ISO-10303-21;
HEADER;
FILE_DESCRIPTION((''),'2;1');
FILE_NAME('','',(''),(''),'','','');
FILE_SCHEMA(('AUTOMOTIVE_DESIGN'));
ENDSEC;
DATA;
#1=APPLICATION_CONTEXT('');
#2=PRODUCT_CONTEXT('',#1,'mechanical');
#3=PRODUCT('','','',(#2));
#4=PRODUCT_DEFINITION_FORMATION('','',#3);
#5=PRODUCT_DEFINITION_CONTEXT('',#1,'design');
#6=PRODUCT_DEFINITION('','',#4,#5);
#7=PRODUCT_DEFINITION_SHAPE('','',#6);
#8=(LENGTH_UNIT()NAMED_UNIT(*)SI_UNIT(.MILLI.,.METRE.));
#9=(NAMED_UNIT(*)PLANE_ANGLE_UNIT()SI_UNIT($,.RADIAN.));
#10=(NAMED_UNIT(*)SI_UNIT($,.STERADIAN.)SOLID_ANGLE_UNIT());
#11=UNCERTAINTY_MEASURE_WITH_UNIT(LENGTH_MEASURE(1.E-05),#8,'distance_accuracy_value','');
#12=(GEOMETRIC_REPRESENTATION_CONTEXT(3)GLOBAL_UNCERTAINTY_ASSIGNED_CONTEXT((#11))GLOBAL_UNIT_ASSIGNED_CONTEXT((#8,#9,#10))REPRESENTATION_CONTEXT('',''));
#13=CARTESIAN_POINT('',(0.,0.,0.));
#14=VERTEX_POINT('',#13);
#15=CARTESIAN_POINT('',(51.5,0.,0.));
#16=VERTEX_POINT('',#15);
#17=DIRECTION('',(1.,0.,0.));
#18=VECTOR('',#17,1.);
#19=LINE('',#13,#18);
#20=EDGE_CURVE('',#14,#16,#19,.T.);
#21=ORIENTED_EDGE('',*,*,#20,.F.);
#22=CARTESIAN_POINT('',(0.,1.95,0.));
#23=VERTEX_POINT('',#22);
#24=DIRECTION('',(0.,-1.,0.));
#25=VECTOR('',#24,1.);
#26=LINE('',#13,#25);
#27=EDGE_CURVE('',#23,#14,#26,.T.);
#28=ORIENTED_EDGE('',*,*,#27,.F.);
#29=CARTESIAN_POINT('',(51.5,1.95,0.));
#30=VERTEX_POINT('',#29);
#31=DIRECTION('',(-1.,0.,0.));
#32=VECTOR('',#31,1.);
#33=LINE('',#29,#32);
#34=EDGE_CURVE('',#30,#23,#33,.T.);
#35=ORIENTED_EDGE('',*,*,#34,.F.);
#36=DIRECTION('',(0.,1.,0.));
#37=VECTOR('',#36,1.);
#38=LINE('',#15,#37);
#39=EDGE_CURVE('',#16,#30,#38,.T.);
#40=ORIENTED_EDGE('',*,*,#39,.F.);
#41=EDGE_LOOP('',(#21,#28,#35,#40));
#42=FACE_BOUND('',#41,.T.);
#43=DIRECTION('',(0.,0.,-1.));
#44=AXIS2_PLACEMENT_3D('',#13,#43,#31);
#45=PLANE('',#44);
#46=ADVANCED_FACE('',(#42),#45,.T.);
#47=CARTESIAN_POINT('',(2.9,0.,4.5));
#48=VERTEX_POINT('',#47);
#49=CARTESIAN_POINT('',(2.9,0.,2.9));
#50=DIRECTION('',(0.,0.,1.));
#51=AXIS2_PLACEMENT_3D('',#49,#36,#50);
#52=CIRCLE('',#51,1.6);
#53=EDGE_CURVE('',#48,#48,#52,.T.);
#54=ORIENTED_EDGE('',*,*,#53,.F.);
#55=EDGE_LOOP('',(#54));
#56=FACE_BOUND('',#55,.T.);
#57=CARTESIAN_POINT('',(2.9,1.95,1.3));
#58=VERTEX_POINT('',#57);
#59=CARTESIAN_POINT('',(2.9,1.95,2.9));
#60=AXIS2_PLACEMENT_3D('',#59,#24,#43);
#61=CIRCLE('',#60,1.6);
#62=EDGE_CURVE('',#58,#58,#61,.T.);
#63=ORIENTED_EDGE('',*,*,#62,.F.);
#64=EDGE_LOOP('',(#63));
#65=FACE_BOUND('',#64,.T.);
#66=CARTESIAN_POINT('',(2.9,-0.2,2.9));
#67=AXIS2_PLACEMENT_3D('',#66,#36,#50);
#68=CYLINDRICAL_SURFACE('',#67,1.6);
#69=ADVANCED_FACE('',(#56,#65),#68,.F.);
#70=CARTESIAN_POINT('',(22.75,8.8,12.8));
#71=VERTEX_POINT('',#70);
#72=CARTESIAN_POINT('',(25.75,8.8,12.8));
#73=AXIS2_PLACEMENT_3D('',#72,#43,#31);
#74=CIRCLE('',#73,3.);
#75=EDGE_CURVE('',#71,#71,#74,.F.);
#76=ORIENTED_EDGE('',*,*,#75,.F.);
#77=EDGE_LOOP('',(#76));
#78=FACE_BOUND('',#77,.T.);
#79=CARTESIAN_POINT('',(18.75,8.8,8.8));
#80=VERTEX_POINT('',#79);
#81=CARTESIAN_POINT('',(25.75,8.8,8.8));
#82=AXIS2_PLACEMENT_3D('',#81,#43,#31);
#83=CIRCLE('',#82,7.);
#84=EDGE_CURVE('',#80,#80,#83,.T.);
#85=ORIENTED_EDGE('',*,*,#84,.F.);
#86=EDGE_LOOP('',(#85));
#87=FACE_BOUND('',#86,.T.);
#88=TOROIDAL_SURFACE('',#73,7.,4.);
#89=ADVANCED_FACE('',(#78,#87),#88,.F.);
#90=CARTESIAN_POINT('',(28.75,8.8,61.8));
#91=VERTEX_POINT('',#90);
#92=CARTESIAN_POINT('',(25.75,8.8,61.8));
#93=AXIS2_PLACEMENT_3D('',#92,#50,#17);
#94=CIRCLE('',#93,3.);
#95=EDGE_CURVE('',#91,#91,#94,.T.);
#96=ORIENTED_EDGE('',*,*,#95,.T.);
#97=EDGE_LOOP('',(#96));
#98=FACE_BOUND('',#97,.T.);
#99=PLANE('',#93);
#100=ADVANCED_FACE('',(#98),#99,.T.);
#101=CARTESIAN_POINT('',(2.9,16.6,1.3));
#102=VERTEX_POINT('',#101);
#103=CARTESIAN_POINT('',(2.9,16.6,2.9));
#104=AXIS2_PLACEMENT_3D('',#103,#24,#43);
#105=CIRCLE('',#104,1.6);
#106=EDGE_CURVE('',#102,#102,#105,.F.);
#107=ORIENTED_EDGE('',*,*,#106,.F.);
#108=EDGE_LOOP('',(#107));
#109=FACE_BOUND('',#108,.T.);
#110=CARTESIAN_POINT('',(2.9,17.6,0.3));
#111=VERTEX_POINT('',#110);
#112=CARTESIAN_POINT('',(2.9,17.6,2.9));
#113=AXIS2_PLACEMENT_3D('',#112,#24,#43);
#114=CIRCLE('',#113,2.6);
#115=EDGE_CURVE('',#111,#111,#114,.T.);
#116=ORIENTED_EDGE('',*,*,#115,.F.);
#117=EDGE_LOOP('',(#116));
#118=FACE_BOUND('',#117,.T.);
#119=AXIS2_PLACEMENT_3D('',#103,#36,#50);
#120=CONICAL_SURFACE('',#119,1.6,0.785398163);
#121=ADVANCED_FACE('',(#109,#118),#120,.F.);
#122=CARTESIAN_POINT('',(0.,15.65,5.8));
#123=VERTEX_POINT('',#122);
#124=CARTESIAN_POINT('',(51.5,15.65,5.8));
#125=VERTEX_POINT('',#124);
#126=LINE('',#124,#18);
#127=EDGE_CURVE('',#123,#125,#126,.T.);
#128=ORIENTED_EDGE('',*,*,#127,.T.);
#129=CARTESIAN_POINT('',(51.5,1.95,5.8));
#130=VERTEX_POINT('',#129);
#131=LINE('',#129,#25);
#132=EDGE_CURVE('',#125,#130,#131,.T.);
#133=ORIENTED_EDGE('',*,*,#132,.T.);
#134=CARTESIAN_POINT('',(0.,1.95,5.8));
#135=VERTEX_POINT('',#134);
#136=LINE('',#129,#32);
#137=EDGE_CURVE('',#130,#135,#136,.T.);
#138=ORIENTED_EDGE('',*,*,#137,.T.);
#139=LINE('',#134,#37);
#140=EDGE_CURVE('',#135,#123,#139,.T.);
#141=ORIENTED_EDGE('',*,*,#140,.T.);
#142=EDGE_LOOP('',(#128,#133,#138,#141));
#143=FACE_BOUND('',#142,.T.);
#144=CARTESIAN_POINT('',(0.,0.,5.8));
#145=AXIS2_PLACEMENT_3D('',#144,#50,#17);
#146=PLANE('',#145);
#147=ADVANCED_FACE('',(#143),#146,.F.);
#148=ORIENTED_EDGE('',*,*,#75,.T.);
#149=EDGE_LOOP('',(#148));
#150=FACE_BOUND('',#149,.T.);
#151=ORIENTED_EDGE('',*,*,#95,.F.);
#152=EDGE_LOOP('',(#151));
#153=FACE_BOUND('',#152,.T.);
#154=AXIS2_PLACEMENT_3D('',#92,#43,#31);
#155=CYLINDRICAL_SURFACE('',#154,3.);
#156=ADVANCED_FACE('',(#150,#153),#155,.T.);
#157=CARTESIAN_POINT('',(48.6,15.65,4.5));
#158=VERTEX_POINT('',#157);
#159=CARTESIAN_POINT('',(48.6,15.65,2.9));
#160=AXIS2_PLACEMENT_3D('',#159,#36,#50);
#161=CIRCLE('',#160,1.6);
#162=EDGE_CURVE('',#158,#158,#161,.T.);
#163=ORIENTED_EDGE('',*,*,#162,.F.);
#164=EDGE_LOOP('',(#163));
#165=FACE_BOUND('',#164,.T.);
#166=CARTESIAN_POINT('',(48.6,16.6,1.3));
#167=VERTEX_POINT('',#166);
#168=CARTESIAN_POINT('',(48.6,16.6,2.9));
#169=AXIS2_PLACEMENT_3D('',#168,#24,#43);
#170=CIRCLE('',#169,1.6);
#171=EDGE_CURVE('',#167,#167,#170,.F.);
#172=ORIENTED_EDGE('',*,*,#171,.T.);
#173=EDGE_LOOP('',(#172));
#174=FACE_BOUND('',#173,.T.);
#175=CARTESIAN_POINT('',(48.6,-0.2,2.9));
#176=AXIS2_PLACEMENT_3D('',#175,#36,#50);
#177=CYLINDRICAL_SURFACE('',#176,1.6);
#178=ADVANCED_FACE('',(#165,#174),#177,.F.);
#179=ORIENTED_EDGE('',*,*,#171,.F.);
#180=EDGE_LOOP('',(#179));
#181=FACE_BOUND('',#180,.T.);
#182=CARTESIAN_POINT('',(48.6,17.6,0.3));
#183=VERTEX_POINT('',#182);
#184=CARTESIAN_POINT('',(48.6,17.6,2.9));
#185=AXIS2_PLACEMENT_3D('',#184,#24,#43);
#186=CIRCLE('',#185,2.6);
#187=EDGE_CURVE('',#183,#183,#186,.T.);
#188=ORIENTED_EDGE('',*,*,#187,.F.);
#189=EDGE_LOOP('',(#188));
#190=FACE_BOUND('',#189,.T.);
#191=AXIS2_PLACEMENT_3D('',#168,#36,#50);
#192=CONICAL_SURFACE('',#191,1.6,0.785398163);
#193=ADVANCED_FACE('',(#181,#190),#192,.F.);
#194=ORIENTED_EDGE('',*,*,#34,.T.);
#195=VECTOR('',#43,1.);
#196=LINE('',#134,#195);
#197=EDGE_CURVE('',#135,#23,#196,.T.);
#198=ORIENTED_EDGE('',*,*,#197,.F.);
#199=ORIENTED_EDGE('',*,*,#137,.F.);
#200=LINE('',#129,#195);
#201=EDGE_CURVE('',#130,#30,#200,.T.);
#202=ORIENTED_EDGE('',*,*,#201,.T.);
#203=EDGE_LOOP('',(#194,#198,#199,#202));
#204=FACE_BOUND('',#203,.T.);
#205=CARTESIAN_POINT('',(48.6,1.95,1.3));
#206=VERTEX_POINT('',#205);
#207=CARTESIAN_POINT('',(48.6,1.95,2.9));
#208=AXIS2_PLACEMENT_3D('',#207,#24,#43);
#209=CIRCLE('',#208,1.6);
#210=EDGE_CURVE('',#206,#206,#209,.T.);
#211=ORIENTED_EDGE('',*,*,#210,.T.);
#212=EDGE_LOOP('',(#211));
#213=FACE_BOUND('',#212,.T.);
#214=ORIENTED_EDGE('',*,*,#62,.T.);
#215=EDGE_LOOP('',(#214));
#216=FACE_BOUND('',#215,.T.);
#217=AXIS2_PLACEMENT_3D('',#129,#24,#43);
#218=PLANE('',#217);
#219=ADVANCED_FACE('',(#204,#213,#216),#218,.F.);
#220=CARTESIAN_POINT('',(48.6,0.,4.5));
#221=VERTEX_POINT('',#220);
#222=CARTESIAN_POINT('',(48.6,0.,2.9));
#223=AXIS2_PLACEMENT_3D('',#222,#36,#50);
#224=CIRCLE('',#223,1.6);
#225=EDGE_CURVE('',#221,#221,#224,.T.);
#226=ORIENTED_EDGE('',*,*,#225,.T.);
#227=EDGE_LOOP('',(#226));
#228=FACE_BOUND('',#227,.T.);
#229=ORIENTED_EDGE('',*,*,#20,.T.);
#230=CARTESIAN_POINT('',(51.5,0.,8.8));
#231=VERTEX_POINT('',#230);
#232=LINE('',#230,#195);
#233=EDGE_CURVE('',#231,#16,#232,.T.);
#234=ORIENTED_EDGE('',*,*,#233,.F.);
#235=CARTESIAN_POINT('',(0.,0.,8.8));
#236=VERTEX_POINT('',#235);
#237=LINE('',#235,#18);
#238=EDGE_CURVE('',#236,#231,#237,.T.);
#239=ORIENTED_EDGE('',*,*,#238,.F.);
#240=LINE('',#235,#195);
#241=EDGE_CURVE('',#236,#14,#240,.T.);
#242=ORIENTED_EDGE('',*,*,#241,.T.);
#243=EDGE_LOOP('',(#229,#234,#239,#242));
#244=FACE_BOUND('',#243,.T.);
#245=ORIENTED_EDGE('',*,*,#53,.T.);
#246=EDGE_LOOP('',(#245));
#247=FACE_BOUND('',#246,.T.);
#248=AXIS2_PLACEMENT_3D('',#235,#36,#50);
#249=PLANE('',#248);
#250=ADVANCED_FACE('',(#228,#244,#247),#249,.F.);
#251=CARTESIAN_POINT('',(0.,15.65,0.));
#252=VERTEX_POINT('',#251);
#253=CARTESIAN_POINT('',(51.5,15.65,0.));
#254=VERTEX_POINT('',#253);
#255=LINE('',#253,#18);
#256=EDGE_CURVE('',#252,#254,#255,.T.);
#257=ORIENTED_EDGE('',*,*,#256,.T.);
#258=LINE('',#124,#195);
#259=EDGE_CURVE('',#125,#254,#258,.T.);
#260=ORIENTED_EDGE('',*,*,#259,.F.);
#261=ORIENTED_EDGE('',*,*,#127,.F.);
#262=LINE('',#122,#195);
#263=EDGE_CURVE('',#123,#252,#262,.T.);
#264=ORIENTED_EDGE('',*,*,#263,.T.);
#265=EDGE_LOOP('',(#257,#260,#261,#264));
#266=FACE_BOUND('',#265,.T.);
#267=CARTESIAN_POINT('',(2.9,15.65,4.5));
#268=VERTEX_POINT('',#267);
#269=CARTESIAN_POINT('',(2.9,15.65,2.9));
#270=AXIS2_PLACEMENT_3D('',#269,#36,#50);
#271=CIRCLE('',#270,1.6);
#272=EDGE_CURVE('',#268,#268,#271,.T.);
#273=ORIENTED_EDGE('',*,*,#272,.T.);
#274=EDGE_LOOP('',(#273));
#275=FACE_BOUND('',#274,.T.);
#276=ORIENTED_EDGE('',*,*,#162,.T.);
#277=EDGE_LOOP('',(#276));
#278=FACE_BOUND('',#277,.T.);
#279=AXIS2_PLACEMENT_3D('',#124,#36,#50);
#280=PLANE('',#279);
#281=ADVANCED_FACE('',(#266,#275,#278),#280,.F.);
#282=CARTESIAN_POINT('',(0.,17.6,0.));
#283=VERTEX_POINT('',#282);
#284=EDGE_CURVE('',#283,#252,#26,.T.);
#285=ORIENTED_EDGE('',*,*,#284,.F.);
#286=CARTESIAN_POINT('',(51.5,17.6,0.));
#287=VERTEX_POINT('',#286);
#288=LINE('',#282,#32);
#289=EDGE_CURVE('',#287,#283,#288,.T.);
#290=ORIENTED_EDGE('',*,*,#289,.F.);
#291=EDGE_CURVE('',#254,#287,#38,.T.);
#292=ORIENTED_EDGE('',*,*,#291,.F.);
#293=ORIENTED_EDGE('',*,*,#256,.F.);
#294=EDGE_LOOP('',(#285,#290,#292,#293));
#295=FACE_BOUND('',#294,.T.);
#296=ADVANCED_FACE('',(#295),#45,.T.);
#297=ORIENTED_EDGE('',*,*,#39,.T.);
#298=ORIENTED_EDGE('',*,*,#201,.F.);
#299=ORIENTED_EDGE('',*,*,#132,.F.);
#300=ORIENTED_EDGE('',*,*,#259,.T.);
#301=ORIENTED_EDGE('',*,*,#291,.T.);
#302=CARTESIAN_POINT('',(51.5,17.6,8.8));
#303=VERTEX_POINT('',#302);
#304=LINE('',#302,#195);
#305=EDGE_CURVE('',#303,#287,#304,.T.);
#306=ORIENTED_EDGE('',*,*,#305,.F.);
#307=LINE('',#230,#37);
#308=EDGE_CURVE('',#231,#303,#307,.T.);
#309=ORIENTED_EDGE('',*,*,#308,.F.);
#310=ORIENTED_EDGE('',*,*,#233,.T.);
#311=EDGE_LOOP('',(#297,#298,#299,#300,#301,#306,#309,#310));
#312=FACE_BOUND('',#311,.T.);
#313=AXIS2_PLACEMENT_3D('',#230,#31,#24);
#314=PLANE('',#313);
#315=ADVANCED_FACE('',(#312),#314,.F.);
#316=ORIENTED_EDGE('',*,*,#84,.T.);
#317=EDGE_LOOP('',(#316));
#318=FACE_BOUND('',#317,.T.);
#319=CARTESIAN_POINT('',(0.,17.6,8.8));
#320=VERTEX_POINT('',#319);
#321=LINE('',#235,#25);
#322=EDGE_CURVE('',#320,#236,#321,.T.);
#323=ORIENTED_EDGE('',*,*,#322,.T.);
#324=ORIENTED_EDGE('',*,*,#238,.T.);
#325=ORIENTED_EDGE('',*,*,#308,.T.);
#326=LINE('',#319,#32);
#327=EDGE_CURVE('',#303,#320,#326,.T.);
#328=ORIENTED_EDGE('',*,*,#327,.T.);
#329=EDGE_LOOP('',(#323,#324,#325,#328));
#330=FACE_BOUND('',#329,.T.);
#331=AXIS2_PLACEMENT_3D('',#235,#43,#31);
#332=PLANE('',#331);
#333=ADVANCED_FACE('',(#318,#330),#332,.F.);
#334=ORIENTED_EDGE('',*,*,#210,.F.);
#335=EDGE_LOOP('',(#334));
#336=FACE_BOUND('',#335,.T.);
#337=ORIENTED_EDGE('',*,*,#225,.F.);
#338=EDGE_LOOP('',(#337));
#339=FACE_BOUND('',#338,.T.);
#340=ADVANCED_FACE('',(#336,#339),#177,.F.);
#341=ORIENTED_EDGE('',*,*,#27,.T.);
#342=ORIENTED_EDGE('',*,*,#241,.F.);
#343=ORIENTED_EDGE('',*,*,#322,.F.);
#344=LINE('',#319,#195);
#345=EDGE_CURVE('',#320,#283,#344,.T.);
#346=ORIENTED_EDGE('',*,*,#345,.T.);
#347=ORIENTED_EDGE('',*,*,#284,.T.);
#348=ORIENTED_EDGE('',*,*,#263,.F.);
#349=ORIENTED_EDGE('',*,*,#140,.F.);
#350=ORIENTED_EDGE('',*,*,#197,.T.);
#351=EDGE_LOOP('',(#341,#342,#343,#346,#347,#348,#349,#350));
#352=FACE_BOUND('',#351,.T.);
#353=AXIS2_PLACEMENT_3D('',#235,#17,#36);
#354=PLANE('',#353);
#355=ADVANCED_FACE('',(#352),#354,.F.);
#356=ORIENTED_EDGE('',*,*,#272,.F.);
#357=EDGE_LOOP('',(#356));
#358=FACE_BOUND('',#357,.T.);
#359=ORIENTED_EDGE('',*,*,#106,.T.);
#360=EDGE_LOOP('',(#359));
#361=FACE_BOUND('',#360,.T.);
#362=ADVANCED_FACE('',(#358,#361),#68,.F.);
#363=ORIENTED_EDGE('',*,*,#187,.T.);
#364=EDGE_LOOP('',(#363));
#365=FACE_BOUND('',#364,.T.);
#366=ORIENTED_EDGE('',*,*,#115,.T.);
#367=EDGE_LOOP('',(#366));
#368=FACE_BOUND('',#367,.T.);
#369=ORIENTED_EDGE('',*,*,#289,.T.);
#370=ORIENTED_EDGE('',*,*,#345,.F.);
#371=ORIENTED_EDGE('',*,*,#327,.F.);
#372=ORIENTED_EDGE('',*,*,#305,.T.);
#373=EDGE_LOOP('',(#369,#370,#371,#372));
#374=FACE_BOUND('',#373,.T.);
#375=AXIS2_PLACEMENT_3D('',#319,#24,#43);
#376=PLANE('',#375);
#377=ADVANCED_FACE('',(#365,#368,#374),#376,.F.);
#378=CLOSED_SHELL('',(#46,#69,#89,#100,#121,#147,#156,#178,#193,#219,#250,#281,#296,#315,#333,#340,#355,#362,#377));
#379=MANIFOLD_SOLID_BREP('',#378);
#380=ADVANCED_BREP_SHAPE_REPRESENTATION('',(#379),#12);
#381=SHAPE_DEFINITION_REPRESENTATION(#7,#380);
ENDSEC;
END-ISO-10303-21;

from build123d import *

# Parameters (mm, degrees)
SKETCH1_W           = 51.5
SKETCH1_H           = 17.6
BOSS_EXTRUDE1_DEPTH = 8.8
SKETCH2_W           = 51.5
SKETCH2_H           = 13.7
CUT_EXTRUDE1_DEPTH  = 5.8
SKETCH3_R           = 1.6
CUT_EXTRUDE2_DEPTH  = 17.8
CHAMFER1_SIZE       = 1
SKETCH4_R           = 3
BOSS_EXTRUDE2_DEPTH = 53
FILLET1_R           = 4


with BuildPart() as part:
    # Sketch1 → Boss-Extrude1 (new body)
    with BuildSketch(Plane.XY):
        with Locations((25.75, 8.8)):
            Rectangle(SKETCH1_W, SKETCH1_H)
    extrude(amount=BOSS_EXTRUDE1_DEPTH)

    # Sketch2 → Cut-Extrude1 (cut)
    with BuildSketch(Plane(origin=(0, 0, 0), x_dir=(-1, 0, 0), z_dir=(0, 0, -1))):
        with Locations((-25.75, 8.8)):
            Rectangle(SKETCH2_W, SKETCH2_H)
    extrude(amount=-CUT_EXTRUDE1_DEPTH, mode=Mode.SUBTRACT)

    # Sketch3 → Cut-Extrude2 (cut)
    with BuildSketch(Plane(origin=(0, 17.6, 0), x_dir=(1, 0, 0), z_dir=(0, 1, 0))):
        with Locations(Location((2.9, -2.9, 0), (0, 0, 270))):
            Circle(SKETCH3_R)
        with Locations(Location((48.6, -2.9, 0), (0, 0, 270))):
            Circle(SKETCH3_R)
    extrude(amount=-CUT_EXTRUDE2_DEPTH, mode=Mode.SUBTRACT)

    # Chamfer1
    chamfer1_edges = [part.edges().sort_by_distance(p)[0] for p in [
        (2.9, 17.6, 1.3),
        (48.6, 17.6, 1.3),
    ]]
    chamfer(chamfer1_edges, length=CHAMFER1_SIZE)

    # Sketch4 → Boss-Extrude2 (add)
    with BuildSketch(Plane.XY.offset(8.8)):
        with Locations(Location((25.75, 8.8, 0), (0, 0, 180))):
            Circle(SKETCH4_R)
    extrude(amount=BOSS_EXTRUDE2_DEPTH)

    # Fillet1
    fillet1_edges = [part.edges().sort_by_distance(p)[0] for p in [
        (28.75, 8.8, 8.8),
    ]]
    fillet(fillet1_edges, radius=FILLET1_R)


solid = part.part
